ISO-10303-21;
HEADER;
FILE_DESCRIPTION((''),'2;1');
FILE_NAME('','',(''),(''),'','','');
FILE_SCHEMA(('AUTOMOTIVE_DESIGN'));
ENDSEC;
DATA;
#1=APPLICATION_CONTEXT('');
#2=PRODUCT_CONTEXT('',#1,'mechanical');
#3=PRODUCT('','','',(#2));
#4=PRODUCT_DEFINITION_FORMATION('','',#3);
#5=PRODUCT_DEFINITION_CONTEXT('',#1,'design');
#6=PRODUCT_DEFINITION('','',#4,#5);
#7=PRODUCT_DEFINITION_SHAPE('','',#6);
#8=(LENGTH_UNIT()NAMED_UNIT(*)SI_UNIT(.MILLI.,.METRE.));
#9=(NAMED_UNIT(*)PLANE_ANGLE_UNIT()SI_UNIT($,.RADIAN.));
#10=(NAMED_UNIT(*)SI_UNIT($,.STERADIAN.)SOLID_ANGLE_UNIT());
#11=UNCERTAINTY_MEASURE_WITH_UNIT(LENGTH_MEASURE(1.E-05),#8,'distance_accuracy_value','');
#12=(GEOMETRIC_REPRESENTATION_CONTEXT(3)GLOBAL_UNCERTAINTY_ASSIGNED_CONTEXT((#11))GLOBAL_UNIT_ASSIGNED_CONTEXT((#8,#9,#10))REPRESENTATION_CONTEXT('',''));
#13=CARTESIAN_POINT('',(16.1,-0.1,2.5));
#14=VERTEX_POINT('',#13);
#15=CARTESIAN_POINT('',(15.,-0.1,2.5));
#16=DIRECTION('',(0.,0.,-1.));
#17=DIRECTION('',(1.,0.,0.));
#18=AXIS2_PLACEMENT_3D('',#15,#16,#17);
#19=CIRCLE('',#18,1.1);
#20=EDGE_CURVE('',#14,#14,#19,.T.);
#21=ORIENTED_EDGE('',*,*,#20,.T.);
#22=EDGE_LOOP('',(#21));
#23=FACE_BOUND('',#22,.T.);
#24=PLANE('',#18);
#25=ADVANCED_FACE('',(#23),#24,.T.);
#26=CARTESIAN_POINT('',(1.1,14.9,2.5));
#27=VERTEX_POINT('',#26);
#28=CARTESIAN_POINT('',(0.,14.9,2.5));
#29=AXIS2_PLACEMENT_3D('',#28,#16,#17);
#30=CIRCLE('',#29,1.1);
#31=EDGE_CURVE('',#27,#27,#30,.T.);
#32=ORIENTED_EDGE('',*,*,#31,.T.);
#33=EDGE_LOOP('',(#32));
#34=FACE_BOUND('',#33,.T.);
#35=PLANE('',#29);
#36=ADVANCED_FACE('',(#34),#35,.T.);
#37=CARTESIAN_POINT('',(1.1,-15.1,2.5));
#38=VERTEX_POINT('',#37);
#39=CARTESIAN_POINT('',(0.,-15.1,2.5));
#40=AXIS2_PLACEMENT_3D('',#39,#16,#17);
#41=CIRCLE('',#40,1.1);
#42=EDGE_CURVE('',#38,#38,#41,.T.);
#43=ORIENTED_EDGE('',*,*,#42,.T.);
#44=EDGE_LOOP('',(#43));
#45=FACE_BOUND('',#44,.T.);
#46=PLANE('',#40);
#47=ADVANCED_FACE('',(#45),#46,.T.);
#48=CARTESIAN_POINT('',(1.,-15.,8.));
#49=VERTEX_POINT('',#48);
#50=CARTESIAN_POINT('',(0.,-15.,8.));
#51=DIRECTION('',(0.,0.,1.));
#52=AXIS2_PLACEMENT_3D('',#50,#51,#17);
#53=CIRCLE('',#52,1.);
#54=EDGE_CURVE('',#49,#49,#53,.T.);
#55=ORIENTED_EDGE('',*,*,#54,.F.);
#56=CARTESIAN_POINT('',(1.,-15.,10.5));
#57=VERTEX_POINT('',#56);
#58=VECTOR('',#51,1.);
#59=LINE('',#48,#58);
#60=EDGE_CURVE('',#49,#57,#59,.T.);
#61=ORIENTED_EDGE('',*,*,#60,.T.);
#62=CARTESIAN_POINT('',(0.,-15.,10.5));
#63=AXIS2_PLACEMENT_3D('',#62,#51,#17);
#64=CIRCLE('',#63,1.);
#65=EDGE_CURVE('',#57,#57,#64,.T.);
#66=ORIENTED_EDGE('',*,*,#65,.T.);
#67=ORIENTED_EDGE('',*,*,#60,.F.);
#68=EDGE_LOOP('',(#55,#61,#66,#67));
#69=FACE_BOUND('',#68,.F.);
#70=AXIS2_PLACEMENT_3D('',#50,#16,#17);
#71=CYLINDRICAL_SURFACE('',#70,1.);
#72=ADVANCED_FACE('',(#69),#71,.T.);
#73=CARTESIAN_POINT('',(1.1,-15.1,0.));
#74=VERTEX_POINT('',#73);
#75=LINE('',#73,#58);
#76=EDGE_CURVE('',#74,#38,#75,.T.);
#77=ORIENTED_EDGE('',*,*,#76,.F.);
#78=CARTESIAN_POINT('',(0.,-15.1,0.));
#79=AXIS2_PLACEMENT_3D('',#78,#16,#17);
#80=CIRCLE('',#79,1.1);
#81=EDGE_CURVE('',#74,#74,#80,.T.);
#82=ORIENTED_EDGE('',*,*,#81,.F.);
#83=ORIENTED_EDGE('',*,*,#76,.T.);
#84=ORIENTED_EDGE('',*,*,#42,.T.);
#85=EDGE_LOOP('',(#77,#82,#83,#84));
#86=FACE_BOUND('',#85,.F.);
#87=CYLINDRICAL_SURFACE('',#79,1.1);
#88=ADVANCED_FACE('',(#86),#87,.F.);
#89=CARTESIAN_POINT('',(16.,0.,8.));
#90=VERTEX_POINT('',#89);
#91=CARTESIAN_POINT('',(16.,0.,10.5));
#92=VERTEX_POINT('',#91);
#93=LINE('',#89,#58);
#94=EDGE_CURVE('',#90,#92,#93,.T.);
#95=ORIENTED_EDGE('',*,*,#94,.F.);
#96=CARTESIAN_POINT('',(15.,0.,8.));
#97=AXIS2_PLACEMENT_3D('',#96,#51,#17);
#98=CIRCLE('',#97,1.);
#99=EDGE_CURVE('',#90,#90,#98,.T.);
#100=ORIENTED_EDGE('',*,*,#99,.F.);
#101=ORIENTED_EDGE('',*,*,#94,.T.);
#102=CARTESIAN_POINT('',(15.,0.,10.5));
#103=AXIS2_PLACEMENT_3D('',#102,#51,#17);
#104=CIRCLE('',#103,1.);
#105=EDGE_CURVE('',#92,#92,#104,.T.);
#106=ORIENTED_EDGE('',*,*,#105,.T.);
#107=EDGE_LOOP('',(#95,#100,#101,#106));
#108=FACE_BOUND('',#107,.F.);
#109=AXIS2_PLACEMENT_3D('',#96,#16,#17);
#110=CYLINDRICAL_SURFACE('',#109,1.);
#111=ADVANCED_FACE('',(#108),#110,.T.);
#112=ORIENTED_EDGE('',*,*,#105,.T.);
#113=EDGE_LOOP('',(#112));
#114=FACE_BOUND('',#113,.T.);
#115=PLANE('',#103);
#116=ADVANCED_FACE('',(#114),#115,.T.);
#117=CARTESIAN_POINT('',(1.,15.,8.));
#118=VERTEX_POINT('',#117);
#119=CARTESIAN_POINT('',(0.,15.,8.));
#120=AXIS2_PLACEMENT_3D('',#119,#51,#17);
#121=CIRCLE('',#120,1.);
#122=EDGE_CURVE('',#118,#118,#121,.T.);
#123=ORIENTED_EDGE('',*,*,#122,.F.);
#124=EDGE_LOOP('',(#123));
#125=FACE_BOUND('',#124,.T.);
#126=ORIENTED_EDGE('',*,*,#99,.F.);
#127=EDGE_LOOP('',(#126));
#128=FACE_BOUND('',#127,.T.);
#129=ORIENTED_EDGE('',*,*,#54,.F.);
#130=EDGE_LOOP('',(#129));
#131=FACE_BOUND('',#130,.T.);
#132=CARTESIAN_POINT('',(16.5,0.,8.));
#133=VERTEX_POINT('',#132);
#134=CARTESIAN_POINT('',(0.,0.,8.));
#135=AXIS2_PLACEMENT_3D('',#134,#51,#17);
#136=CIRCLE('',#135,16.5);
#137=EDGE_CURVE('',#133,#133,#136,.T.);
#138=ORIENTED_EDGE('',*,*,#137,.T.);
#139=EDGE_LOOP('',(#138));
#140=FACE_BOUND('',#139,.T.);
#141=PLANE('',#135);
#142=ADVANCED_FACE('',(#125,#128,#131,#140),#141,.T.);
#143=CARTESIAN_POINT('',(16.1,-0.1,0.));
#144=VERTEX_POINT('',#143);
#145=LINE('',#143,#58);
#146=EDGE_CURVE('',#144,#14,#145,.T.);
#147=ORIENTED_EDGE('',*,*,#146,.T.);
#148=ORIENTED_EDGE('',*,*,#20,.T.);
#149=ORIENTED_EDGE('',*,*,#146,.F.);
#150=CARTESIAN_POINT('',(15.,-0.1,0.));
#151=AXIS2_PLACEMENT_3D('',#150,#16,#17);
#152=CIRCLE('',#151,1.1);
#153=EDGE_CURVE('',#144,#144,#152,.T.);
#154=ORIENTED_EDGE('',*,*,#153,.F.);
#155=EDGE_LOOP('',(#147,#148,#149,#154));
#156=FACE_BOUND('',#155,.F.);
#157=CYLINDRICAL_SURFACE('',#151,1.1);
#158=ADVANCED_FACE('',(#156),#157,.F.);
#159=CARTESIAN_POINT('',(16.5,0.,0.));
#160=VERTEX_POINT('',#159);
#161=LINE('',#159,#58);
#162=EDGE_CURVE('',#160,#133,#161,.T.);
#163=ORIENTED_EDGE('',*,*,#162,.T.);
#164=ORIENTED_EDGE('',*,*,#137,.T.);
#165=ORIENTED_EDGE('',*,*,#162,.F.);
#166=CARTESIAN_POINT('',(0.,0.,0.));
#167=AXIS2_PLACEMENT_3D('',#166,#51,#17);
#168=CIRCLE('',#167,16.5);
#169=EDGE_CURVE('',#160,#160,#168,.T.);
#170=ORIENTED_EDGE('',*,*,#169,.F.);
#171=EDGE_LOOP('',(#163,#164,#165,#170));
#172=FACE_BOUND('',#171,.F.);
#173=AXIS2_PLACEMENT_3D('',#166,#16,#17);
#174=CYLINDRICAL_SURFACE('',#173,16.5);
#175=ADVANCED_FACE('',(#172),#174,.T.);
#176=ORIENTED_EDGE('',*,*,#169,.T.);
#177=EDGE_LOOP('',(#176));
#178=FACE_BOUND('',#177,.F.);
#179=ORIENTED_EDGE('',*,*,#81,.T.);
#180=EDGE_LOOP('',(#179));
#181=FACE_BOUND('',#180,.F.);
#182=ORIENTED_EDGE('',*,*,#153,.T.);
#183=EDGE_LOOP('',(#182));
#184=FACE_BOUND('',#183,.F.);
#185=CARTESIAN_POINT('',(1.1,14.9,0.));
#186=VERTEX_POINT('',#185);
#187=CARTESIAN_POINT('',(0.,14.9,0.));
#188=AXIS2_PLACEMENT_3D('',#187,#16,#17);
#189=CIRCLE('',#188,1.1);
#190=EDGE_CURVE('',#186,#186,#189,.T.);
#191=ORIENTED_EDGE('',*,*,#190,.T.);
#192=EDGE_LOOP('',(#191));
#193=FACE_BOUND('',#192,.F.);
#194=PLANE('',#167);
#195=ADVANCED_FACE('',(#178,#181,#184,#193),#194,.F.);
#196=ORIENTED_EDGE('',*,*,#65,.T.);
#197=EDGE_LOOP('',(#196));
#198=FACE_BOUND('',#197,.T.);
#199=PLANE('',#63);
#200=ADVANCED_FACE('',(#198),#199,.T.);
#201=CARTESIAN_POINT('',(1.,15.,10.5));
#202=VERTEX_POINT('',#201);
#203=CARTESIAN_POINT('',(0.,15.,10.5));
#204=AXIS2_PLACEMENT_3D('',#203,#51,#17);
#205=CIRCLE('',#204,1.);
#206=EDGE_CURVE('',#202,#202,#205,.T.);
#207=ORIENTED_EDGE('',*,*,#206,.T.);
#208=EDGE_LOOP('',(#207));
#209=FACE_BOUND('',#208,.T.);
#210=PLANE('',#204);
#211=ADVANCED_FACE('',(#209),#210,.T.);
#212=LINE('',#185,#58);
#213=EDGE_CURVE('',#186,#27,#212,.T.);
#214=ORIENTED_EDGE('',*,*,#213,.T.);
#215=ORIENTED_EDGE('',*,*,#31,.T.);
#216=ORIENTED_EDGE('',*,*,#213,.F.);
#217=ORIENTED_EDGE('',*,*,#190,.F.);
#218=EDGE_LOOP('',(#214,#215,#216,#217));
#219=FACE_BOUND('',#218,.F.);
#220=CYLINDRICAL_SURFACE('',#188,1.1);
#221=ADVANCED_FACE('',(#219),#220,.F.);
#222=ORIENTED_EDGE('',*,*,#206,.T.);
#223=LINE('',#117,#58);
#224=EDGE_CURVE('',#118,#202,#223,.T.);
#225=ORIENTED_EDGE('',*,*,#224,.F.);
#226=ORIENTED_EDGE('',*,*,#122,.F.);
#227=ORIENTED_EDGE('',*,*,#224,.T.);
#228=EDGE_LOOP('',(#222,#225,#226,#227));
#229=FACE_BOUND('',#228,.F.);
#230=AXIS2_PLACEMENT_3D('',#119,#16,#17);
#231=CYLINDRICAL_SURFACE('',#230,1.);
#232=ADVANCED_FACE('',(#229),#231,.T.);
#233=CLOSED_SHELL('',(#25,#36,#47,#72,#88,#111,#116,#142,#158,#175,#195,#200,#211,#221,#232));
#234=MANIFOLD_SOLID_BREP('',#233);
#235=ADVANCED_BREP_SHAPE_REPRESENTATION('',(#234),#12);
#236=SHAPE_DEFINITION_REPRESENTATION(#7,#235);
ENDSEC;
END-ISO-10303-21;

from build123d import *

# Parameters (mm, degrees)
F0_R     = 16.5
F1_DEPTH = 8
F2_R     = 1.1
F3_DEPTH = 2.5
F4_R     = 1
F5_DEPTH = 2.5


with BuildPart() as f1:
    # F0 (on Top) → F1 (new body)
    with BuildSketch(Plane.XY):
        Circle(F0_R)
    extrude(amount=F1_DEPTH)

    # F2 (on face) → F3 (cut)
    with BuildSketch(Plane(origin=(0, 0, 0), x_dir=(1, 0, 0), z_dir=(0, 0, -1))):
        with Locations((0, 15.1)):
            Circle(F2_R)
        with Locations((15, 0.1)):
            Circle(F2_R)
        with Locations((0, -14.9)):
            Circle(F2_R)
    extrude(amount=-F3_DEPTH, mode=Mode.SUBTRACT)

    # F4 (on face) → F5 (join)
    with BuildSketch(Plane.XY.offset(8)):
        with Locations((0, 15)):
            Circle(F4_R)
        with Locations((15, 0)):
            Circle(F4_R)
        with Locations((0, -15)):
            Circle(F4_R)
    extrude(amount=F5_DEPTH)


solid = f1.part
